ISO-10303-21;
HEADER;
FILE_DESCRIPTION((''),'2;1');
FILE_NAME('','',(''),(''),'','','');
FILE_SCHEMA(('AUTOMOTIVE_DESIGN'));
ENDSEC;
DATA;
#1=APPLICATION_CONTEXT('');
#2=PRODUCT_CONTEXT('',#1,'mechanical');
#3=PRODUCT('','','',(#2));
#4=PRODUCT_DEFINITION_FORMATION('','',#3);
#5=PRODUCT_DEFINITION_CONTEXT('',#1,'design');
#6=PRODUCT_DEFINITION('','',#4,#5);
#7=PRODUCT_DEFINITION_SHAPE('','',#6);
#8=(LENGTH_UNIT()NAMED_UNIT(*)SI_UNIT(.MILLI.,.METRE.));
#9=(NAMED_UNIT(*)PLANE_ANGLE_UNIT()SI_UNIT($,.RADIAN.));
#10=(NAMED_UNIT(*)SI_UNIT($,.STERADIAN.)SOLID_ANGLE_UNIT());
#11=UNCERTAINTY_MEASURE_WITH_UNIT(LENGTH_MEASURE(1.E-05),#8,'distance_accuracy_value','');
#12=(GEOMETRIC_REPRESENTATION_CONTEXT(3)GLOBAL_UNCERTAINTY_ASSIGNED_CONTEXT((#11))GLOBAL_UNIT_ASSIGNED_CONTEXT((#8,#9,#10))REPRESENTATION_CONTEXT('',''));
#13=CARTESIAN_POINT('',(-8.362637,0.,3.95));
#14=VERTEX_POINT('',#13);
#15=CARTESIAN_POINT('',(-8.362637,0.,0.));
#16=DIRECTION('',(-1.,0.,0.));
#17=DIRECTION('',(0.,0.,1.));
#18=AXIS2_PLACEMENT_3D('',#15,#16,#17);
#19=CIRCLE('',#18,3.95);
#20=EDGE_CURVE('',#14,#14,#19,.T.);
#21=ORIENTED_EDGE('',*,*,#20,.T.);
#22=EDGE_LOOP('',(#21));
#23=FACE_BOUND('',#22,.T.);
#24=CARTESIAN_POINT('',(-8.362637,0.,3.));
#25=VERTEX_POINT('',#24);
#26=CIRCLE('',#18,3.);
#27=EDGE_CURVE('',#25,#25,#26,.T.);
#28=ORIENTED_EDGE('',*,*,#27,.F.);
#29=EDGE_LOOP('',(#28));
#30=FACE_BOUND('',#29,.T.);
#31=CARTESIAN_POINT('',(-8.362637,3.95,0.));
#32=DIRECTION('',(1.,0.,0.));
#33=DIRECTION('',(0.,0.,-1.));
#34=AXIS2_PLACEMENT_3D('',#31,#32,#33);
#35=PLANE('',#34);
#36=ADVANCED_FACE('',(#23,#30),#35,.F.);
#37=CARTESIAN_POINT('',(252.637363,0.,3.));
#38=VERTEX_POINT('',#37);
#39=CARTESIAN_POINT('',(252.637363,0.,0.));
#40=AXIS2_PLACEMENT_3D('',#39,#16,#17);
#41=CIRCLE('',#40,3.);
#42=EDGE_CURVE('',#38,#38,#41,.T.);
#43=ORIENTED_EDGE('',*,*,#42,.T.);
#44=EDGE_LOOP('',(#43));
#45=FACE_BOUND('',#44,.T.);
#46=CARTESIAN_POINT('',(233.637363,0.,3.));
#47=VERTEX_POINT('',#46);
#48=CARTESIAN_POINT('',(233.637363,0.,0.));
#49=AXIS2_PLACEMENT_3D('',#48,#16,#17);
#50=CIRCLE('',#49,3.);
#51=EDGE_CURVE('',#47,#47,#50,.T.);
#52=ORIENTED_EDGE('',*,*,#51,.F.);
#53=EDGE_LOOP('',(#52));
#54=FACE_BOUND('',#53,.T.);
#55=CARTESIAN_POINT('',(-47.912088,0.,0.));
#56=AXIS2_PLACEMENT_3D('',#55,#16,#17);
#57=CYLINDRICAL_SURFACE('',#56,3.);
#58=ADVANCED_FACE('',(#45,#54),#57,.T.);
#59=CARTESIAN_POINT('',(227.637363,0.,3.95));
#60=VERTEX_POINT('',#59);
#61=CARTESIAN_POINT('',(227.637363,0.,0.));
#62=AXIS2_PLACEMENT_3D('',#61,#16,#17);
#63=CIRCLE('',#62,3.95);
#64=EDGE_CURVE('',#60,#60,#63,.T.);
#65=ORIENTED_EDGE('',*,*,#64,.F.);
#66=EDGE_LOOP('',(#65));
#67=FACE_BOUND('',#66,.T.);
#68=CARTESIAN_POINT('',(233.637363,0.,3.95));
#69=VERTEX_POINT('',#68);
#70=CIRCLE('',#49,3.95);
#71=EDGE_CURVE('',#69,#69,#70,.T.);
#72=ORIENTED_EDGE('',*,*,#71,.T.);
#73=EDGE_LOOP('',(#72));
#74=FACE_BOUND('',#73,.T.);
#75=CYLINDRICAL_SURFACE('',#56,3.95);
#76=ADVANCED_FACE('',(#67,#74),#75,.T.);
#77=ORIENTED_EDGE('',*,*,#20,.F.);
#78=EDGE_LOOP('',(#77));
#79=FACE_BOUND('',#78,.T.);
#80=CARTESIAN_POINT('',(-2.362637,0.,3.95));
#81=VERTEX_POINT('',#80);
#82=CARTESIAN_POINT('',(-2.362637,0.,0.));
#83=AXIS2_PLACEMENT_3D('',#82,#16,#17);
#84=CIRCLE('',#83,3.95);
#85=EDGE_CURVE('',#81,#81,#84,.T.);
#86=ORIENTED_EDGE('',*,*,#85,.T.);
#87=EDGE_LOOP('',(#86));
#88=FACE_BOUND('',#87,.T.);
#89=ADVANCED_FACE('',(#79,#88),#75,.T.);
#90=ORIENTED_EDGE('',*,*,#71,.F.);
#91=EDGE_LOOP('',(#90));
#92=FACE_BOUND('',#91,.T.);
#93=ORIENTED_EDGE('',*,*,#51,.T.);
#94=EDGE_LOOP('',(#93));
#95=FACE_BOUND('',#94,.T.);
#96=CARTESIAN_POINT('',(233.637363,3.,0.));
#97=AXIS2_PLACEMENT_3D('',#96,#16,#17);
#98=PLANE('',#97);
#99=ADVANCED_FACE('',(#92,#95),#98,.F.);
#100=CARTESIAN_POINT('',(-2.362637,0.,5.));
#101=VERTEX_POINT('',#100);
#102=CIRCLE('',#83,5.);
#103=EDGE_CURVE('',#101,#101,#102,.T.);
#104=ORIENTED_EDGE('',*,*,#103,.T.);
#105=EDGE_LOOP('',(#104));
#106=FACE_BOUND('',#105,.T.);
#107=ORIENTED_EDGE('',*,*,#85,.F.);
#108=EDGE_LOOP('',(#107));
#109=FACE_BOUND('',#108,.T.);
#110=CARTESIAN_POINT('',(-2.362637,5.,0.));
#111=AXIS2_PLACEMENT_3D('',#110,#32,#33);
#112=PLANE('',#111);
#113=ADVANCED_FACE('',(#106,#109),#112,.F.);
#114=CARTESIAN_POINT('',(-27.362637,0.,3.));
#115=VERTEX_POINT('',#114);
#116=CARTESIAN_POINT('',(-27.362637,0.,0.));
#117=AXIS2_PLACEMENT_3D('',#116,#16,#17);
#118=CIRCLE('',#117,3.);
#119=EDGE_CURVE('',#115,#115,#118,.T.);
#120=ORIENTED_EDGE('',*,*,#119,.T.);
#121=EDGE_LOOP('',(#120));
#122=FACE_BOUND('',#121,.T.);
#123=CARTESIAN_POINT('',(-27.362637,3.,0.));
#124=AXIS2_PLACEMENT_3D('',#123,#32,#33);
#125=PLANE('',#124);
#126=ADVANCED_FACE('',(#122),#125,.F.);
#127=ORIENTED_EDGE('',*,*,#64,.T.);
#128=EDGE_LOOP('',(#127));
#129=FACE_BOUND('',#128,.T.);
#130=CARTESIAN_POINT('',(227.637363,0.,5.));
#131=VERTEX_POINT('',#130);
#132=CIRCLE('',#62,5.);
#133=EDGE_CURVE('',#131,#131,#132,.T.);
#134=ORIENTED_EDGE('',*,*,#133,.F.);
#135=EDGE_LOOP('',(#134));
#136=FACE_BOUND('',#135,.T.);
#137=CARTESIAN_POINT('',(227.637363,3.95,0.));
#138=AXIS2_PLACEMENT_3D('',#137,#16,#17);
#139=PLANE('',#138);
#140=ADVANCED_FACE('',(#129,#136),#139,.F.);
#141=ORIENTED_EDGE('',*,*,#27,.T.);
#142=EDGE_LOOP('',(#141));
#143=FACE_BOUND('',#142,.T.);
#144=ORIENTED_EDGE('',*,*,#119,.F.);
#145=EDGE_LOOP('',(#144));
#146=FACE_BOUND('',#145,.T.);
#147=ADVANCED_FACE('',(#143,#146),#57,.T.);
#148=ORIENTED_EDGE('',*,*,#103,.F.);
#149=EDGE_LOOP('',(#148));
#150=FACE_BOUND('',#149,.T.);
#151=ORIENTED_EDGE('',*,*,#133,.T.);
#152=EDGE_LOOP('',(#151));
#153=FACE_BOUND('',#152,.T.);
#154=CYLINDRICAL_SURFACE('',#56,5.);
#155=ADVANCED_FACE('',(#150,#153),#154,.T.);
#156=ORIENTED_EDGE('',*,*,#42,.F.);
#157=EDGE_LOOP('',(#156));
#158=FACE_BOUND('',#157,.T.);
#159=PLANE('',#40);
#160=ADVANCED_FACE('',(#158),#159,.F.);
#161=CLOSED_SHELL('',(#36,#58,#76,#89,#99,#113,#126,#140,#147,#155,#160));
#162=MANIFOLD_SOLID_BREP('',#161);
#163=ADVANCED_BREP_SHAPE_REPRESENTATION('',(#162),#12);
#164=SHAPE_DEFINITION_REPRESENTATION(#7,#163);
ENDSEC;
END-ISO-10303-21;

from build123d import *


with BuildPart() as part:
    # 草图1 → 旋转1 (revolve)
    with BuildSketch(Plane.XY):
        Polygon((-27.362637363, 0), (252.637362637, 0), (252.637362637, 3), (233.637362637, 3), (233.637362637, 3.95), (227.637362637, 3.95), (227.637362637, 5), (-2.362637363, 5), (-2.362637363, 3.95), (-8.362637363, 3.95), (-8.362637363, 3), (-27.362637363, 3), align=None)
    revolve(axis=Axis((-47.912087912, 0, 0), (1, 0, 0)))


solid = part.part
